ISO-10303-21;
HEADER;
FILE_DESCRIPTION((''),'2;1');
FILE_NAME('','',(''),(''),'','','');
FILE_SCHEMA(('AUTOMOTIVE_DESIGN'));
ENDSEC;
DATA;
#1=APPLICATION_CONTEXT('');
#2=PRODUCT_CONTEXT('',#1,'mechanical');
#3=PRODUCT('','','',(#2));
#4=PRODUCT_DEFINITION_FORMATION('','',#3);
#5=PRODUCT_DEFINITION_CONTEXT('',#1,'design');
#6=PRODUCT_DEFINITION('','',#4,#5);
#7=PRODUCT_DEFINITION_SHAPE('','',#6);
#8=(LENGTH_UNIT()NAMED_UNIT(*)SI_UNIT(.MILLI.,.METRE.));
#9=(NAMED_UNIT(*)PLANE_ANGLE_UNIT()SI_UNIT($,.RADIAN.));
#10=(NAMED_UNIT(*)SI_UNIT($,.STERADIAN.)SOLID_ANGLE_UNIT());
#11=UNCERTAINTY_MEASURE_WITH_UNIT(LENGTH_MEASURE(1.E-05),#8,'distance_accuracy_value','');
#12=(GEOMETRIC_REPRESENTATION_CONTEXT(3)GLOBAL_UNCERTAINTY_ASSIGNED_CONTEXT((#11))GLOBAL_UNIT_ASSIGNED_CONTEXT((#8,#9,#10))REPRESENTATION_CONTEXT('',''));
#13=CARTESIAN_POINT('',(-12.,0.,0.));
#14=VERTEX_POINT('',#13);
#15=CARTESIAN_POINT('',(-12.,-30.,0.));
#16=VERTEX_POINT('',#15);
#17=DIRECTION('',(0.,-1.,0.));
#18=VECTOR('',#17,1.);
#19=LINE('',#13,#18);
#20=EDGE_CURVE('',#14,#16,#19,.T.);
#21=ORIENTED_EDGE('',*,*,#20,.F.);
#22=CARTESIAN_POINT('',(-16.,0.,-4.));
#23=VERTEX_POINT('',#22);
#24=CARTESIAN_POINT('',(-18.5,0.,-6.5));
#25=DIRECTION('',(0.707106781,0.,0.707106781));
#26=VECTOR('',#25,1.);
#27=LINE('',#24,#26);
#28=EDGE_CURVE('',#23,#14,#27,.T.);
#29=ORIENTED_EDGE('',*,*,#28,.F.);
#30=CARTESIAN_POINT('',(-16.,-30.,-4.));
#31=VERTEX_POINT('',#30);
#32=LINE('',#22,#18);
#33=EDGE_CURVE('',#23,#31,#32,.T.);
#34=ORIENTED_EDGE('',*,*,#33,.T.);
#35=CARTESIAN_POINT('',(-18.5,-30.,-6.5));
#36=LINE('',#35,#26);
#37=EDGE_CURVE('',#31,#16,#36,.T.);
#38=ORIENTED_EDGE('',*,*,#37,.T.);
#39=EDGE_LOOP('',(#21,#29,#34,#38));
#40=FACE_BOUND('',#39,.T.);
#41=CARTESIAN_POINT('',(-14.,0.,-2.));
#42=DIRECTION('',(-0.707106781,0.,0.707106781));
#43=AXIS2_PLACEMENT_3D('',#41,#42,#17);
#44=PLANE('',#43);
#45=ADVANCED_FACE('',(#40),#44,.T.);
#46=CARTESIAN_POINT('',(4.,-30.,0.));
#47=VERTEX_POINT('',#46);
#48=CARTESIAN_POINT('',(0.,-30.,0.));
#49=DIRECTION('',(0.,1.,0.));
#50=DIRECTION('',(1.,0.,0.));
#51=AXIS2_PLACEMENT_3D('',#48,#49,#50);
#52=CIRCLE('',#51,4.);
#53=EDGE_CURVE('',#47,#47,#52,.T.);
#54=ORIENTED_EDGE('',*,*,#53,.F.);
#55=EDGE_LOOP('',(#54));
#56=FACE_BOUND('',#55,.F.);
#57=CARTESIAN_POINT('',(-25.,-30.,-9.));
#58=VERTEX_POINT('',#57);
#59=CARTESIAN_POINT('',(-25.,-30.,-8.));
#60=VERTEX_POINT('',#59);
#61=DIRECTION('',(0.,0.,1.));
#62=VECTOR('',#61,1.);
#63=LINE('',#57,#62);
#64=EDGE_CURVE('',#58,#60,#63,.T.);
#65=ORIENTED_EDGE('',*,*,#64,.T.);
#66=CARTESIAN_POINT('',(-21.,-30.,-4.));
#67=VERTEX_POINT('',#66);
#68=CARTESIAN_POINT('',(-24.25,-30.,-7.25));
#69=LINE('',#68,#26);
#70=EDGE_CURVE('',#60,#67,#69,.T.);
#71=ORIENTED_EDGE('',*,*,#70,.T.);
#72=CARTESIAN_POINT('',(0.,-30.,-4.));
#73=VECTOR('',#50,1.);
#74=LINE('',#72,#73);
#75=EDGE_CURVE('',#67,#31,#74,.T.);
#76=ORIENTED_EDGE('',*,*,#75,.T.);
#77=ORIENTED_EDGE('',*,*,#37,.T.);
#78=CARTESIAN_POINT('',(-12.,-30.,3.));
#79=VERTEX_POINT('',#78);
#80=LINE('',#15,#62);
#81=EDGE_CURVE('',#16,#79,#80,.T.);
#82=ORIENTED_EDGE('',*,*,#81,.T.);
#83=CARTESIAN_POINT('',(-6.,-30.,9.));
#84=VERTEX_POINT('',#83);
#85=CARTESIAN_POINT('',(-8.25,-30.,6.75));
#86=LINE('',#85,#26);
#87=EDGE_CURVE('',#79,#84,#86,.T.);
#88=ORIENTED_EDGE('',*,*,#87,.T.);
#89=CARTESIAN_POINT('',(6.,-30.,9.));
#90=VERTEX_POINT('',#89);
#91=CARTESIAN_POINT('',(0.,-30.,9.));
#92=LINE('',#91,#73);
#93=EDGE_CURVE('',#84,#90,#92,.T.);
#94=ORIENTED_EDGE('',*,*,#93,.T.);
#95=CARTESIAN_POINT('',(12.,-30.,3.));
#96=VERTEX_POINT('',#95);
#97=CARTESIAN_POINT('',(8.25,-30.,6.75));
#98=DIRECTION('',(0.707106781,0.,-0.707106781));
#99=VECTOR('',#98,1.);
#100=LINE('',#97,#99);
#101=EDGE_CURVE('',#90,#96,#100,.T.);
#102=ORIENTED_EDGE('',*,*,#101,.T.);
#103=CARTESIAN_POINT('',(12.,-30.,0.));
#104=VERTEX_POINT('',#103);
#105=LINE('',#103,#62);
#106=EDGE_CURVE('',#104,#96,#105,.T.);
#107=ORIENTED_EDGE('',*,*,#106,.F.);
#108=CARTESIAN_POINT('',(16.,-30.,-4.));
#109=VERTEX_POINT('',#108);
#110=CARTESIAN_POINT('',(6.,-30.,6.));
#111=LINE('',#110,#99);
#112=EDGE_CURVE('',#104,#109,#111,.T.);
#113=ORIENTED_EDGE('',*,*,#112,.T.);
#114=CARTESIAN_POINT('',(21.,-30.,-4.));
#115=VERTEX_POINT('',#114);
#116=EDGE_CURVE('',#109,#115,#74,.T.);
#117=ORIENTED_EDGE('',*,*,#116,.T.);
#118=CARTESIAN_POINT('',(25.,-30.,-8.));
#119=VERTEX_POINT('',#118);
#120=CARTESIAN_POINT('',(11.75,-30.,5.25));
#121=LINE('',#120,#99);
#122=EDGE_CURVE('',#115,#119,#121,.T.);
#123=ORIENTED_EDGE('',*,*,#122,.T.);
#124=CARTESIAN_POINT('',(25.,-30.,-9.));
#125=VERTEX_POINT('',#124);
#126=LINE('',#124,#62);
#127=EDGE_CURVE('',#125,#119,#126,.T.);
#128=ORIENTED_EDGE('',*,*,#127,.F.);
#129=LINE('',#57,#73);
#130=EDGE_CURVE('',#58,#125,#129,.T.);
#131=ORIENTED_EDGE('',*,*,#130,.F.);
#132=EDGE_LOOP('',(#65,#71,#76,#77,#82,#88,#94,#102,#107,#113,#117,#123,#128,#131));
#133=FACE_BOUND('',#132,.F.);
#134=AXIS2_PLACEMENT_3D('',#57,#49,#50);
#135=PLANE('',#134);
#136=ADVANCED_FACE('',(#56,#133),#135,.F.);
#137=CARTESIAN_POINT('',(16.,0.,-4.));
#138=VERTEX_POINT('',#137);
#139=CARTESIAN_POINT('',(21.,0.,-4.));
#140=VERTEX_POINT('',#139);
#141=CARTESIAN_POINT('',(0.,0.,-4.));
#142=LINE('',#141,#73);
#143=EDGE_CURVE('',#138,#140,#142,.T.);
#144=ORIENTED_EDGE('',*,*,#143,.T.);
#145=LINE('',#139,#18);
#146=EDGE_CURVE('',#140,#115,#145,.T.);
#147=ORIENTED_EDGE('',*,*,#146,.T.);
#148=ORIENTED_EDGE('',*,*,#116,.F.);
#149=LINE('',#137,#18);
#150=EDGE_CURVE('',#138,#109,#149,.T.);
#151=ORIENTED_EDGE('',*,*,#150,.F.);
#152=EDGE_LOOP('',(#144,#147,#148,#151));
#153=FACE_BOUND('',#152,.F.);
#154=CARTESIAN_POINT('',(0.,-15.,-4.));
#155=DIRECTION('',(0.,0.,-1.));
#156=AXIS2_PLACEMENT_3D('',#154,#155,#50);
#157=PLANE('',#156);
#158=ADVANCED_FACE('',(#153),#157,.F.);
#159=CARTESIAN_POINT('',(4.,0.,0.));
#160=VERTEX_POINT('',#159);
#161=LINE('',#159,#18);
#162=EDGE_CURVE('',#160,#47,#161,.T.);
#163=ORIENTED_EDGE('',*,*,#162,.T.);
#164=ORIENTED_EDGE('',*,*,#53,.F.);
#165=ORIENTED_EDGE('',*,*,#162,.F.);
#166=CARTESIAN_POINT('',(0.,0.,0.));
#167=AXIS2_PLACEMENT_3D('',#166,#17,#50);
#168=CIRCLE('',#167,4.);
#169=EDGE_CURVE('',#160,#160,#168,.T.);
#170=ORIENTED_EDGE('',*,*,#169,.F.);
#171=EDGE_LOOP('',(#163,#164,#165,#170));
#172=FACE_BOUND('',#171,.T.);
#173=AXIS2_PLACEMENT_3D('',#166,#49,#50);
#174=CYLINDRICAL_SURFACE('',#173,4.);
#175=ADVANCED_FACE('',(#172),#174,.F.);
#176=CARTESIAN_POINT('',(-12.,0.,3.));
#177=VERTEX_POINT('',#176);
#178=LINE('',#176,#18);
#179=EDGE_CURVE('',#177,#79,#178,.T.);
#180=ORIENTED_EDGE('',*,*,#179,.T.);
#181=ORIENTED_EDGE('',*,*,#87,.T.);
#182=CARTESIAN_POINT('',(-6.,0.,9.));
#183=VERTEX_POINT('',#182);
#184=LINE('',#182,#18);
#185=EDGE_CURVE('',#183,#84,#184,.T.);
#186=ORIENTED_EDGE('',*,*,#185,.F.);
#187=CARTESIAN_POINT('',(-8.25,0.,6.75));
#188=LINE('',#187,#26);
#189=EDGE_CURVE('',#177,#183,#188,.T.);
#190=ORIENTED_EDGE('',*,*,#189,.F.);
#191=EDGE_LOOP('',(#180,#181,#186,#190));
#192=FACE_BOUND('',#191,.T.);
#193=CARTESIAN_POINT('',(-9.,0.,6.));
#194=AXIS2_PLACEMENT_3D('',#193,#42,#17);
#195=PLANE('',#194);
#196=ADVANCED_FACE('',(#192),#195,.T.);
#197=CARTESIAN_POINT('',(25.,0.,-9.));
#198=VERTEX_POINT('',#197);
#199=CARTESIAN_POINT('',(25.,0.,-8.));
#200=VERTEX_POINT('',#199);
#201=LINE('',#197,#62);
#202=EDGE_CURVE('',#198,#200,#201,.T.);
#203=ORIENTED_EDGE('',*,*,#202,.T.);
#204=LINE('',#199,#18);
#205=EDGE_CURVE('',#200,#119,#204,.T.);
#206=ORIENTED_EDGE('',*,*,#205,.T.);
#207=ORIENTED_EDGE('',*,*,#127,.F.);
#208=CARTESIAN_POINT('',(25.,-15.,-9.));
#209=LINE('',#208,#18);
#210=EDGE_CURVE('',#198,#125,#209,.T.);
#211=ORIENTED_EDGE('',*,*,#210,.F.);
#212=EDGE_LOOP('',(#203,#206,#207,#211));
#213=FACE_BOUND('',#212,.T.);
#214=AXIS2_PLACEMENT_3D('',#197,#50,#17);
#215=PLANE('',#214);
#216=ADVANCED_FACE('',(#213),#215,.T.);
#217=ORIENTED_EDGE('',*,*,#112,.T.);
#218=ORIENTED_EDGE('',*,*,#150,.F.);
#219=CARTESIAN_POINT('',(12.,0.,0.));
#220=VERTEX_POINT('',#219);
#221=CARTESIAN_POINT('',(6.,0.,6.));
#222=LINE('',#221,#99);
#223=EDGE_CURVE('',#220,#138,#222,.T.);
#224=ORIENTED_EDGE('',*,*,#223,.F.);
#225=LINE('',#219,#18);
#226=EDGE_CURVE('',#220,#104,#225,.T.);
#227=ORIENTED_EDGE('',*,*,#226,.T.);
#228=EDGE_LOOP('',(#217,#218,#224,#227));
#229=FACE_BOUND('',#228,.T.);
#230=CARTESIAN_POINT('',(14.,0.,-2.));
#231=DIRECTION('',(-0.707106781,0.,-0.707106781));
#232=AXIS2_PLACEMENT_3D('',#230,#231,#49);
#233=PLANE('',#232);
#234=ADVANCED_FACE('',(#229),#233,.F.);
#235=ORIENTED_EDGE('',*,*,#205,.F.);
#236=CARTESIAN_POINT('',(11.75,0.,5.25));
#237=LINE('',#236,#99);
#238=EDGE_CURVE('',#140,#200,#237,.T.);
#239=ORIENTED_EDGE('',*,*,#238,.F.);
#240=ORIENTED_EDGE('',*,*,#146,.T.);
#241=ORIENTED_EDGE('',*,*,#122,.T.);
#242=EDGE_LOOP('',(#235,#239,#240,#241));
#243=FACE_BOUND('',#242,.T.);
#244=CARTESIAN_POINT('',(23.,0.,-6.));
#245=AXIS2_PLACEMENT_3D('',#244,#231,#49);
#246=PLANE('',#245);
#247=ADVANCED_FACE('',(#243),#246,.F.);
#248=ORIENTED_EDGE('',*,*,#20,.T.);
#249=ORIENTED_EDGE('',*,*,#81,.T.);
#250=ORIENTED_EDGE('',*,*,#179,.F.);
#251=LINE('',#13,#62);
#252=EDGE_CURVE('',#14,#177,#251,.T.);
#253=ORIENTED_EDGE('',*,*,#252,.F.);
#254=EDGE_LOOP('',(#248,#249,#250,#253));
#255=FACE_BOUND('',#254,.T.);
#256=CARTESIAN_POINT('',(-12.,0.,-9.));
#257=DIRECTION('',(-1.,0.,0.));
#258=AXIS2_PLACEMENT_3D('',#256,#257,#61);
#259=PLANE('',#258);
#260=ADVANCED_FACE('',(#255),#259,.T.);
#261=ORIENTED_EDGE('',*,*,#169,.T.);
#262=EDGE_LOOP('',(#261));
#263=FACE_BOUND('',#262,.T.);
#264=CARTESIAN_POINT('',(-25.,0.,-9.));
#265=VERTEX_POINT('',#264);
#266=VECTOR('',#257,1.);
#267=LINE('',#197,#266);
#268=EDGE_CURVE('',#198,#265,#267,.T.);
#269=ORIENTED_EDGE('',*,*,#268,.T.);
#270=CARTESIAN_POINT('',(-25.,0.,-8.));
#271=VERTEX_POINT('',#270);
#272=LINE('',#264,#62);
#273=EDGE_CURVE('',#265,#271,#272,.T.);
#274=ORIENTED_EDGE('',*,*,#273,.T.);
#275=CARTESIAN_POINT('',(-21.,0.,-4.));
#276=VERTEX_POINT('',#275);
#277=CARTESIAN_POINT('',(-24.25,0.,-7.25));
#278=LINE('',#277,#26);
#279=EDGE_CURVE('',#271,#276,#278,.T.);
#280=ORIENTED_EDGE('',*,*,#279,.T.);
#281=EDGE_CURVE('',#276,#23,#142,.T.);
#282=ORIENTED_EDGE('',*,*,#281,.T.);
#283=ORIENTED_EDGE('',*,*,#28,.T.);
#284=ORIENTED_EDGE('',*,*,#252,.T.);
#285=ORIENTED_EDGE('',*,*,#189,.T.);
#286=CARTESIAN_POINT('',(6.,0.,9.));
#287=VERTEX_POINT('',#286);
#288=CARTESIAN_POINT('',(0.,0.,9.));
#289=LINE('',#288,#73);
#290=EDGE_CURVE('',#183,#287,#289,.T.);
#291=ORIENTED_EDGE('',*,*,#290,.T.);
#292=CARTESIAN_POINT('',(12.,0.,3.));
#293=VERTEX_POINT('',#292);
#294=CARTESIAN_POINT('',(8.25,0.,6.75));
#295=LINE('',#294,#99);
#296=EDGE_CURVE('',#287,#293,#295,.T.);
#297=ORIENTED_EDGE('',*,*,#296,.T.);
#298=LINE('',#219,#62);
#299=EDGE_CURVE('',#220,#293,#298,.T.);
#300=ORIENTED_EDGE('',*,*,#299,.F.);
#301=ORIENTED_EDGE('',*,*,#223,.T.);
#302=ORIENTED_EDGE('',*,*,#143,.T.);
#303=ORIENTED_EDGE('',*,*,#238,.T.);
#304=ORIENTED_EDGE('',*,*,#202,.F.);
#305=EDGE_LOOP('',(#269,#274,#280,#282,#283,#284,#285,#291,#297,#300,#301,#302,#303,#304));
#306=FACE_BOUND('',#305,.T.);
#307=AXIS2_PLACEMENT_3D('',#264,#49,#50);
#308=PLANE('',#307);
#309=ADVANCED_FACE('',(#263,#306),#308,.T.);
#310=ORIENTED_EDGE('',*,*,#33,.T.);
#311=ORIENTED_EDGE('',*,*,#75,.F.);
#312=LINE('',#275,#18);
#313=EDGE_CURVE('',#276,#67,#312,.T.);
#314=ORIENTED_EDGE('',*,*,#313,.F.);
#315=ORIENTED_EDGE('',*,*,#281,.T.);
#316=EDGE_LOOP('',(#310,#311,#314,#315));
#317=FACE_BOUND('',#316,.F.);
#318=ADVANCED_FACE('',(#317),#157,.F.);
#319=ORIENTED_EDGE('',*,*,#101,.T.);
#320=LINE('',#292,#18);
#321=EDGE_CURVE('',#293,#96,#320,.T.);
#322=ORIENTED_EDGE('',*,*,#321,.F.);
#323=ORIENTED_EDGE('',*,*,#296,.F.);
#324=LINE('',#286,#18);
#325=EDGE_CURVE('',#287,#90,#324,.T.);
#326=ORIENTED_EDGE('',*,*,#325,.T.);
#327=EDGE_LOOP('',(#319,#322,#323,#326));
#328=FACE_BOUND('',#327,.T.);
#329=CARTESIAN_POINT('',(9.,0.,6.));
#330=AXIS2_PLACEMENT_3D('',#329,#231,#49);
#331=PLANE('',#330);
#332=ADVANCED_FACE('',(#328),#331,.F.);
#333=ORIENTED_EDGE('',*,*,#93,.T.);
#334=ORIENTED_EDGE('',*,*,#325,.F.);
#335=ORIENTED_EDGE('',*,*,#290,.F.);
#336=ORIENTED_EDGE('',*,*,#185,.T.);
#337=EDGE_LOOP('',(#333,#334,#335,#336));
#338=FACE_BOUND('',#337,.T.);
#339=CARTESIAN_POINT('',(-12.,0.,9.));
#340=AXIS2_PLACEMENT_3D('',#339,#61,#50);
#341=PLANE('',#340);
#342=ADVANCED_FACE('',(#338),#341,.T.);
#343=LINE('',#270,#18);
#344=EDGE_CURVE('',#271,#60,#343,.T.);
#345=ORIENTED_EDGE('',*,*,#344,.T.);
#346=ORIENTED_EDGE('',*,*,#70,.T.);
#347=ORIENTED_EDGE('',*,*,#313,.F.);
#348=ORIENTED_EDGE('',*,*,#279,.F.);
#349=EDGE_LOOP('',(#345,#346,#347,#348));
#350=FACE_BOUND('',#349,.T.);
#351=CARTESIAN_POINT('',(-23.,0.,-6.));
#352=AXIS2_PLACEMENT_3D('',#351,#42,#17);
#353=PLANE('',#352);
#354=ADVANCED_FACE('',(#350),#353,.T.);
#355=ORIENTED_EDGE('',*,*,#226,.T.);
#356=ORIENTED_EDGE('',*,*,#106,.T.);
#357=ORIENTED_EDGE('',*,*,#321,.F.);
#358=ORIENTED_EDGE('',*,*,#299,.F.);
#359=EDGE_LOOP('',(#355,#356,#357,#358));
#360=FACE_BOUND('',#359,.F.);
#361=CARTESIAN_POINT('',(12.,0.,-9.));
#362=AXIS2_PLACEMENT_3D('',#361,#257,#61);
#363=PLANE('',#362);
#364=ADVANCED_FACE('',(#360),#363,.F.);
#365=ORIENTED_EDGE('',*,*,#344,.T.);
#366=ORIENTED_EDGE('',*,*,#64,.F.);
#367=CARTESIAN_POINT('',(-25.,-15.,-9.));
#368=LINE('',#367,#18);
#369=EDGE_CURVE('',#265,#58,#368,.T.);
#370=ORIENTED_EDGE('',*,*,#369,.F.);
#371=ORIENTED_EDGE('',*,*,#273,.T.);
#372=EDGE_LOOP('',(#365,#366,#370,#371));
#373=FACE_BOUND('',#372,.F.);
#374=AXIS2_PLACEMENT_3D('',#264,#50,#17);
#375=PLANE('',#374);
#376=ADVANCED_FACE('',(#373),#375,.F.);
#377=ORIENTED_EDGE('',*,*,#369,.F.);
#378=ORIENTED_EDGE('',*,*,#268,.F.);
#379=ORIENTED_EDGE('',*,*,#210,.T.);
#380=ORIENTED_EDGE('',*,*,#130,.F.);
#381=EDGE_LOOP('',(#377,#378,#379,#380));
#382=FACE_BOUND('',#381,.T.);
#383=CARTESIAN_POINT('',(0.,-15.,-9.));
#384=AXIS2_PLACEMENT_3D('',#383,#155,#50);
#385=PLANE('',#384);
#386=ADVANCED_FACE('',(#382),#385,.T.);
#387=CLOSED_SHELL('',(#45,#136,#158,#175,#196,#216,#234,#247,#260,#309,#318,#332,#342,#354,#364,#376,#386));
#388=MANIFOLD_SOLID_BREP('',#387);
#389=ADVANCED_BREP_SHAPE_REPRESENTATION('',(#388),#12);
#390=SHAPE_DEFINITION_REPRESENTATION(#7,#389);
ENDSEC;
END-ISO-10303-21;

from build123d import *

# Parameters (mm, degrees)
SKETCH011_W                                = 24
SKETCH011_H                                = 18
SKETCH011_R                                = 4
PAD001007004004002003004004002012002_DEPTH = 30
CHAMFER_SIZE                               = 6
SKETCH012_W                                = 50
SKETCH012_H                                = 30
PAD001007004004002003004004002012003_DEPTH = 5
CHAMFER001_SIZE                            = 4


with BuildPart() as part:
    # Sketch011 → Pad001007004004002003004004002012002 (new body)
    with BuildSketch(Plane.XZ):
        Rectangle(SKETCH011_W, SKETCH011_H)
        Circle(SKETCH011_R, mode=Mode.SUBTRACT)
    extrude(amount=PAD001007004004002003004004002012002_DEPTH)

    # Chamfer
    chamfer_edges = [part.edges().sort_by_distance(p)[0] for p in [
        (12, -15, 9),
        (-12, -15, 9),
    ]]
    chamfer(chamfer_edges, length=CHAMFER_SIZE)

    # Sketch012 → Pad001007004004002003004004002012003 (new body)
    with BuildSketch(Plane(origin=(0, 0, -9), x_dir=(1, 0, 0), z_dir=(0, 0, -1))):
        with Locations((0, 15)):
            Rectangle(SKETCH012_W, SKETCH012_H)
    extrude(amount=-PAD001007004004002003004004002012003_DEPTH)

    # Chamfer001
    chamfer001_edges = [part.edges().sort_by_distance(p)[0] for p in [
        (12, -15, -4),
        (-12, -15, -4),
        (-25, -15, -4),
        (25, -15, -4),
    ]]
    chamfer(chamfer001_edges, length=CHAMFER001_SIZE)


solid = part.part
